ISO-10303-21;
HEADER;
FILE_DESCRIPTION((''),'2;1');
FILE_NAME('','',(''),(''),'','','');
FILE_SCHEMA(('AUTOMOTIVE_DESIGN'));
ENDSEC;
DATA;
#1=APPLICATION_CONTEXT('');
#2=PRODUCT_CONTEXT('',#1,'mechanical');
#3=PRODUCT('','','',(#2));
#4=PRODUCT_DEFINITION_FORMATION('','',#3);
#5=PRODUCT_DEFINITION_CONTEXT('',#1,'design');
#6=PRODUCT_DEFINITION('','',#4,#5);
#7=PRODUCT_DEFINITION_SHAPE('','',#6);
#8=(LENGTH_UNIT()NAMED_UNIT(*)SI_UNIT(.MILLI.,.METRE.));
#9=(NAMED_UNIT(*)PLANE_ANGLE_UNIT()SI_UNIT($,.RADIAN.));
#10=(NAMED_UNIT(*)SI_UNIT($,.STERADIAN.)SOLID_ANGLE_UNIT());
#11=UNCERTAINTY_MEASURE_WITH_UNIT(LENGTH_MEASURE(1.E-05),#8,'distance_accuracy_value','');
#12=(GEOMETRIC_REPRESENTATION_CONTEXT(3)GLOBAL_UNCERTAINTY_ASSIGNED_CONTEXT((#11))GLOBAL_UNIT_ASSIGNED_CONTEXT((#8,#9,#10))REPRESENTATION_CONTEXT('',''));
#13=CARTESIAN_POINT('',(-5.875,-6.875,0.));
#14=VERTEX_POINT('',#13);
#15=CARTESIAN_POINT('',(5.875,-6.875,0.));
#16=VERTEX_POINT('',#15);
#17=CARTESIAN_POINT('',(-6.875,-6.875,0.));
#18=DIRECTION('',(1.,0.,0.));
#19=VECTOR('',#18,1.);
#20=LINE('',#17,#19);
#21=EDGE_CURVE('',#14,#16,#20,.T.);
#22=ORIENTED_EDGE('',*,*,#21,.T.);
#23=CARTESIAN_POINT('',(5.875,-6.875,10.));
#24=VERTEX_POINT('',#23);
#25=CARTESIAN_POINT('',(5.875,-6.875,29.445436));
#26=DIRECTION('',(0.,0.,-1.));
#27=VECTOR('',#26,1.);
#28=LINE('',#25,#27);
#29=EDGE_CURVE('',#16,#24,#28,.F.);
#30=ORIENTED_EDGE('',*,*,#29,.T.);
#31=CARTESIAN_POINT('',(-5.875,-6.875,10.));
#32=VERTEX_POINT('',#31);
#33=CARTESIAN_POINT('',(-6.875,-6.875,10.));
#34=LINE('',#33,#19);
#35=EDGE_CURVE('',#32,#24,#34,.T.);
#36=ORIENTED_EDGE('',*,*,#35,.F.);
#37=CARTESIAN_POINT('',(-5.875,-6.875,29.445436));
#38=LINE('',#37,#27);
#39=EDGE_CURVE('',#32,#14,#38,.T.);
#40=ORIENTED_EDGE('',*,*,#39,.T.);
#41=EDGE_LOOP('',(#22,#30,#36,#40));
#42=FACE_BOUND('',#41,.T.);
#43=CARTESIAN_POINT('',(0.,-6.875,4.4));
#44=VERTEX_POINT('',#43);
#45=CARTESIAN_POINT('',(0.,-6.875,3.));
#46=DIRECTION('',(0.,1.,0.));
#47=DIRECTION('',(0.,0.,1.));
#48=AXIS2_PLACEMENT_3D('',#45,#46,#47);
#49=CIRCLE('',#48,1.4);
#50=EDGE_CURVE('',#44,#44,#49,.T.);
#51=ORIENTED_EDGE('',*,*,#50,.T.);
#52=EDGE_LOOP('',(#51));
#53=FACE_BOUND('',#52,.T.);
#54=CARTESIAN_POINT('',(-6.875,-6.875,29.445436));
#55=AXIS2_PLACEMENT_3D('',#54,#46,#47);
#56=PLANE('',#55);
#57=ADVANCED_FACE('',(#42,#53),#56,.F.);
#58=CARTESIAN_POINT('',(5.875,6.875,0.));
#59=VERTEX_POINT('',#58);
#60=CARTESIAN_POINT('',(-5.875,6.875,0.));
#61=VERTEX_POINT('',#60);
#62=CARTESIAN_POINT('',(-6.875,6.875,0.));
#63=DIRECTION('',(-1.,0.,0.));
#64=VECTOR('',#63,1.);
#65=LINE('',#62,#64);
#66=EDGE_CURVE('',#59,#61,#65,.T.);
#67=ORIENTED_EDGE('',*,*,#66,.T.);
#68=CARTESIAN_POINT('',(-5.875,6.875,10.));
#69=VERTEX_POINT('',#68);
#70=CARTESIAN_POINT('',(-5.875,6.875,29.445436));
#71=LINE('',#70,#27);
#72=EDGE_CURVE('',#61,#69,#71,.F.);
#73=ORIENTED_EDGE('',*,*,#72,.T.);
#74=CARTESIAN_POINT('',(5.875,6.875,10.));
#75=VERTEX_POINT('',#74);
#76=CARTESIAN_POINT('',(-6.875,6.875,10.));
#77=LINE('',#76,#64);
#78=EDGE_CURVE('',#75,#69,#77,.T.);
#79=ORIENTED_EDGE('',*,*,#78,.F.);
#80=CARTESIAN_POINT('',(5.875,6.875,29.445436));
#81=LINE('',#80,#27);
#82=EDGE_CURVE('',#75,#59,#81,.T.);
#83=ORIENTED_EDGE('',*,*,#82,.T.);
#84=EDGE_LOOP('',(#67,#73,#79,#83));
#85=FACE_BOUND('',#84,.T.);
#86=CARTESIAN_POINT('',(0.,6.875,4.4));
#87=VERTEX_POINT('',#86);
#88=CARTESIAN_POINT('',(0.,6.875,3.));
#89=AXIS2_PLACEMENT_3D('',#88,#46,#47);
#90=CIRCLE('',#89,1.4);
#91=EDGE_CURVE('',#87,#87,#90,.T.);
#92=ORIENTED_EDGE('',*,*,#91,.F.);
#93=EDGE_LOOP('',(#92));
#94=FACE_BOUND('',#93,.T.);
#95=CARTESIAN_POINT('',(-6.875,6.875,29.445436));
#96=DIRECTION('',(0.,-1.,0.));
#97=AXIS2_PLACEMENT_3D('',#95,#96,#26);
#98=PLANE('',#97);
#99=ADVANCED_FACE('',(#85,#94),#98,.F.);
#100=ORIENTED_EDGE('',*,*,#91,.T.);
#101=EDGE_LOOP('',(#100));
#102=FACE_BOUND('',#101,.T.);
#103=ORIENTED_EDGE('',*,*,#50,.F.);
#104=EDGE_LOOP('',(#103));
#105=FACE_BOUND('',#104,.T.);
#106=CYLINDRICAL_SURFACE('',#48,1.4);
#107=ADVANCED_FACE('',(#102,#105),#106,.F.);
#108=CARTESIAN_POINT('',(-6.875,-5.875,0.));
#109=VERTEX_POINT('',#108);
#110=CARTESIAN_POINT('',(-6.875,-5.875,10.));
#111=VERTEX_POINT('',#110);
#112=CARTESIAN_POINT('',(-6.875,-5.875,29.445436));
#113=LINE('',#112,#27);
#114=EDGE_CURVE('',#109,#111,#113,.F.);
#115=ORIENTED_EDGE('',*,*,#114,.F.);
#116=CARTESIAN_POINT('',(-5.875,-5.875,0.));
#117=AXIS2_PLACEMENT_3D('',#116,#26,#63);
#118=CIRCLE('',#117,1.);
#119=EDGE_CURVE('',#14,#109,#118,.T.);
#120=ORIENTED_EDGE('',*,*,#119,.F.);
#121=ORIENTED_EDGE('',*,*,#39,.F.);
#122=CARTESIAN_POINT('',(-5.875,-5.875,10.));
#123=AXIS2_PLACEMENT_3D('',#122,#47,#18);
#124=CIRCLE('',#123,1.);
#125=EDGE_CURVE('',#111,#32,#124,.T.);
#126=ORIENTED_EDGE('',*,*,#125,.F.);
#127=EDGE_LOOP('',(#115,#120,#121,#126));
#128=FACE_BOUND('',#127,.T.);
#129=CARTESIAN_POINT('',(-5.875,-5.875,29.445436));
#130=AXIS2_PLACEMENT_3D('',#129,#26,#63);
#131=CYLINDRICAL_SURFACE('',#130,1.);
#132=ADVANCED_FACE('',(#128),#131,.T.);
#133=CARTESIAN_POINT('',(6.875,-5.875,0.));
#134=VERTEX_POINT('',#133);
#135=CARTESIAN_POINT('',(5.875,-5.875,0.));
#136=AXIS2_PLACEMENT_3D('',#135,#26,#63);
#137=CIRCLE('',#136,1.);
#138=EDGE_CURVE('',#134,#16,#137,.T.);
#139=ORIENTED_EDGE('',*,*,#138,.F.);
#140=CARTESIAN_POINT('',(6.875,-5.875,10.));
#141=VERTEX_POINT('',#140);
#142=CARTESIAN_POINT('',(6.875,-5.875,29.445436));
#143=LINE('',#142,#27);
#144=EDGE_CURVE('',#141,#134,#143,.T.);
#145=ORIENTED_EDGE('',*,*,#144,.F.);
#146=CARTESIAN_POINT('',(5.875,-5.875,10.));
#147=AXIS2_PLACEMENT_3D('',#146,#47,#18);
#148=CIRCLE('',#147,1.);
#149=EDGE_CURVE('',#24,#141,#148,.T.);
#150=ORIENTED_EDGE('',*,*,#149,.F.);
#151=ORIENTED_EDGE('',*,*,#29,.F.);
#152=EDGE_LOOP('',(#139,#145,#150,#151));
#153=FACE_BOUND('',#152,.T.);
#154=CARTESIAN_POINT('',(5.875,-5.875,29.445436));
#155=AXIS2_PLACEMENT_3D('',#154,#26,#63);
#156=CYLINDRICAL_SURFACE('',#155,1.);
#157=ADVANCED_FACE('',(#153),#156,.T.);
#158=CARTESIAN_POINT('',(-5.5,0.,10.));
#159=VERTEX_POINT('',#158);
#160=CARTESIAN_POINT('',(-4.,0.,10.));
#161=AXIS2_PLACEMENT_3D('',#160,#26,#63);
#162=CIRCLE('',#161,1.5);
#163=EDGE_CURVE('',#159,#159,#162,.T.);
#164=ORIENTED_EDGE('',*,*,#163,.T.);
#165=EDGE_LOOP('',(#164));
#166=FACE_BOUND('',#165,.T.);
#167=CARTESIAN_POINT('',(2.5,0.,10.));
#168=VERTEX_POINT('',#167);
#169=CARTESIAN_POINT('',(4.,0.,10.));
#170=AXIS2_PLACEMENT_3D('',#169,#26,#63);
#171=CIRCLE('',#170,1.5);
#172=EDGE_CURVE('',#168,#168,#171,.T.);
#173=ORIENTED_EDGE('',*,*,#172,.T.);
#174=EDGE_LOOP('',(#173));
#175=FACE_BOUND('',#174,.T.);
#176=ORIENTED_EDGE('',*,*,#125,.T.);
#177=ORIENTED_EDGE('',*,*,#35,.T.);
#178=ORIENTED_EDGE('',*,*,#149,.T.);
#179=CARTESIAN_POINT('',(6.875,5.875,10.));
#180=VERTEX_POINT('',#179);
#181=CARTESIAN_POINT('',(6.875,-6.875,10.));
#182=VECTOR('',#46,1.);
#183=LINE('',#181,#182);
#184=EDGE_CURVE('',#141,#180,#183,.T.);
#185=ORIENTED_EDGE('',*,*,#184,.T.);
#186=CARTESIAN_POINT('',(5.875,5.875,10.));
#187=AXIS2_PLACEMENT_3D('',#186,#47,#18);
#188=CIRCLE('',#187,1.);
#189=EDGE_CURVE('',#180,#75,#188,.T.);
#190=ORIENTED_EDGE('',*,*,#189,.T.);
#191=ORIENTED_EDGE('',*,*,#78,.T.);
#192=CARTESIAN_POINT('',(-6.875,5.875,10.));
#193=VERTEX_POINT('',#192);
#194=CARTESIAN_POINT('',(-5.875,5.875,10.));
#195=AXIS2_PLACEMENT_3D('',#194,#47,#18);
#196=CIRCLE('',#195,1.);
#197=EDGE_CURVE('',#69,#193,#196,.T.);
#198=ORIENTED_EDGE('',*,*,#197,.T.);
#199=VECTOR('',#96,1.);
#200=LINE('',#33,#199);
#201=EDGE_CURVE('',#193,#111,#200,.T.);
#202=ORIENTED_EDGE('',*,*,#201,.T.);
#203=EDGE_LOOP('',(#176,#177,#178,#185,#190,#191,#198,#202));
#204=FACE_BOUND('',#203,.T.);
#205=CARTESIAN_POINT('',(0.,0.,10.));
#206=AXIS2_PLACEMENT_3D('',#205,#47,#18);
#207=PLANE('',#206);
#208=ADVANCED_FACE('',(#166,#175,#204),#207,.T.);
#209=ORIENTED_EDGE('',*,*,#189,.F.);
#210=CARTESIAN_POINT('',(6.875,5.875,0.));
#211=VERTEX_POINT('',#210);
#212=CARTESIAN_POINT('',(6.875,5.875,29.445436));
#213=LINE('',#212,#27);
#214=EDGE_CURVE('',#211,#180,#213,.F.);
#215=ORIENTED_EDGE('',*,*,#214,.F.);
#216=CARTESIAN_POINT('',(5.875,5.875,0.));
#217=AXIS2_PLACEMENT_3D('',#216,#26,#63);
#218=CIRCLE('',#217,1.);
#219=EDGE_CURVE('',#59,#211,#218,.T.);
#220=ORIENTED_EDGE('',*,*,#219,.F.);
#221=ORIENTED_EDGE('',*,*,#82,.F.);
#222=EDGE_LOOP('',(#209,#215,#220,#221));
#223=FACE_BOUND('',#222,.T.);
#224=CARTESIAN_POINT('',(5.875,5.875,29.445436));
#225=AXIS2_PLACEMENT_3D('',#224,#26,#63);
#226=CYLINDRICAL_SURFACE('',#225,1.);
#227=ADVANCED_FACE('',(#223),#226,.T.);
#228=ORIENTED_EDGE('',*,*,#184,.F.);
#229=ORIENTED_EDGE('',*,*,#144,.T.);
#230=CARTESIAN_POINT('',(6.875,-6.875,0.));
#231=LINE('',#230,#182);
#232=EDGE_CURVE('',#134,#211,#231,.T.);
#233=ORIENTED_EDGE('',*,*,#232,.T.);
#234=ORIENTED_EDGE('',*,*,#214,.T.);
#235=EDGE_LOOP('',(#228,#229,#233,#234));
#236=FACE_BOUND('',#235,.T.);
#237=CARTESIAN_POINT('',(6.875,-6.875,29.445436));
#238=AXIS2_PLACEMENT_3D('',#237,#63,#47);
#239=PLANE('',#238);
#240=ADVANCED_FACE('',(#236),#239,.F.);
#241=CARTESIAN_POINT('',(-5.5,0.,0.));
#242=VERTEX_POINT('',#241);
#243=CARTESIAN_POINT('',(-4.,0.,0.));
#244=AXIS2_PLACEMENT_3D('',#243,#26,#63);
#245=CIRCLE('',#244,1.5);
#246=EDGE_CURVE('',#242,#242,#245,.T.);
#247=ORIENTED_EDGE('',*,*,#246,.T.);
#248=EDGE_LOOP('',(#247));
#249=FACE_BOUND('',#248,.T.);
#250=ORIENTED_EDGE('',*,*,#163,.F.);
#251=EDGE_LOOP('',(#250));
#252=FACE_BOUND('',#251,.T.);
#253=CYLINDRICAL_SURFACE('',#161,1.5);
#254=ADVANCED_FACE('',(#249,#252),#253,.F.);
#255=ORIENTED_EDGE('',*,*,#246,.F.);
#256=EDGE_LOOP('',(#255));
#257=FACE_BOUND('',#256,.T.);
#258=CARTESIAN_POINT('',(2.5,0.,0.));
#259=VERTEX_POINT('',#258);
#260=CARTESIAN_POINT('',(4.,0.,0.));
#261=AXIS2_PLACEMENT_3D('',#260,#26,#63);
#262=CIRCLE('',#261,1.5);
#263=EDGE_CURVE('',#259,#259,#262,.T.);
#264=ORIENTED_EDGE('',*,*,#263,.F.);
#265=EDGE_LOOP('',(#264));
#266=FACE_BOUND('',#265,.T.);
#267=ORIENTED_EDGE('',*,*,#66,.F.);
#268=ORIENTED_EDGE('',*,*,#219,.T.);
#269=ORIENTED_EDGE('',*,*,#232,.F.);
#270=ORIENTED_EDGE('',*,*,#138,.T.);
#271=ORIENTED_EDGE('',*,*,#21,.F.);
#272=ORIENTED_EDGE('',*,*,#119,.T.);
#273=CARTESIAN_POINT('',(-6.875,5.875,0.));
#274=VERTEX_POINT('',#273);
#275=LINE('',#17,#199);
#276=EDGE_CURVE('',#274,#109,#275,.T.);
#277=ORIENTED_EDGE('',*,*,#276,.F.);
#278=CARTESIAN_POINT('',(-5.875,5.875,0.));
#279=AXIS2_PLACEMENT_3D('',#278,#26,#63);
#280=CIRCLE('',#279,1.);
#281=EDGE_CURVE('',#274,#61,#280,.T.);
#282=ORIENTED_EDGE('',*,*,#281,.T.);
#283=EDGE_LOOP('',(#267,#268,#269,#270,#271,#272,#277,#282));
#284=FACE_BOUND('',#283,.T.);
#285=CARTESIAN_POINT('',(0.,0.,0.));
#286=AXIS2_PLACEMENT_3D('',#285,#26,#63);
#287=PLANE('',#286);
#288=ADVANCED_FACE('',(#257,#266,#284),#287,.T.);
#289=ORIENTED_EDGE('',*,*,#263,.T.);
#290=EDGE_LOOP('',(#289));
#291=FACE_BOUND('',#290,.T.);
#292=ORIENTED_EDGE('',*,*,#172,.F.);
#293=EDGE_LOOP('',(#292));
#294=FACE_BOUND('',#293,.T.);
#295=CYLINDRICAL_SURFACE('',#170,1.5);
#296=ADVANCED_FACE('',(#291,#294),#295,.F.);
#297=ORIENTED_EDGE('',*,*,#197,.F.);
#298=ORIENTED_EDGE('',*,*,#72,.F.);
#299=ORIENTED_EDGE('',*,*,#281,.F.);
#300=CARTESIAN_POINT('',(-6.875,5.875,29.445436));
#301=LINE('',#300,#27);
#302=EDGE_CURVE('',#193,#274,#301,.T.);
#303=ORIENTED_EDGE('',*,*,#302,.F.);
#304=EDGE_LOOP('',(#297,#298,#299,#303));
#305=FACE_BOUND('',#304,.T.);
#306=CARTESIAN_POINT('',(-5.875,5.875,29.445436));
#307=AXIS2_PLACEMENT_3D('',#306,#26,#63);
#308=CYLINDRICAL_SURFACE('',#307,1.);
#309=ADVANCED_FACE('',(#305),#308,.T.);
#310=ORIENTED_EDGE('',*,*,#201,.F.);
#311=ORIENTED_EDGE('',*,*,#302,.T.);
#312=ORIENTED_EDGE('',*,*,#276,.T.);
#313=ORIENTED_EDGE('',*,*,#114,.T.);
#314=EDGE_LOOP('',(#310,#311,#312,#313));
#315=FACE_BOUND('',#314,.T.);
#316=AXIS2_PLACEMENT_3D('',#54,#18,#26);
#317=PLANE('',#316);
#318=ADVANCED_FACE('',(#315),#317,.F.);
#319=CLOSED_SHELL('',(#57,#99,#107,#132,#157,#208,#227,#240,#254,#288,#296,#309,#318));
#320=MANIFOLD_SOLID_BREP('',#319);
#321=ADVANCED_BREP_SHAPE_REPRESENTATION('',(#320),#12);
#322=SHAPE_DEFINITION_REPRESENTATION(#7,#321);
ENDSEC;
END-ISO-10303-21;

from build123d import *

# Parameters (mm, degrees)
SKETCH1_W           = 13.75
SKETCH1_H           = 13.75
BOSS_EXTRUDE1_DEPTH = 10
SKETCH3_R           = 1.4
CUT_EXTRUDE1_DEPTH  = 19.339250939
SKETCH2_R           = 1.5
CUT_EXTRUDE2_DEPTH  = 14.947446003
FILLET1_R           = 1


with BuildPart() as part:
    # Sketch1 → Boss-Extrude1 (new body)
    with BuildSketch(Plane.XY):
        Rectangle(SKETCH1_W, SKETCH1_H)
    extrude(amount=BOSS_EXTRUDE1_DEPTH)

    # Sketch3 → Cut-Extrude1 (cut, through all)
    with BuildSketch(Plane(origin=(0, 6.875, 0), x_dir=(1, 0, 0), z_dir=(0, 1, 0))):
        with Locations(Location((0, -3, 0), (0, 0, 270))):
            Circle(SKETCH3_R)
    extrude(amount=-CUT_EXTRUDE1_DEPTH, mode=Mode.SUBTRACT)

    # Sketch2 → Cut-Extrude2 (cut, through all)
    with BuildSketch(Plane(origin=(0, 0, 0), x_dir=(-1, 0, 0), z_dir=(0, 0, -1))):
        with Locations((4, 0)):
            Circle(SKETCH2_R)
        with Locations((-4, 0)):
            Circle(SKETCH2_R)
    extrude(amount=-CUT_EXTRUDE2_DEPTH, mode=Mode.SUBTRACT)

    # Fillet1
    fillet1_edges = [part.edges().sort_by_distance(p)[0] for p in [
        (-6.875, 6.875, 5),
        (-6.875, -6.875, 5),
        (6.875, -6.875, 5),
        (6.875, 6.875, 5),
    ]]
    fillet(fillet1_edges, radius=FILLET1_R)


solid = part.part
